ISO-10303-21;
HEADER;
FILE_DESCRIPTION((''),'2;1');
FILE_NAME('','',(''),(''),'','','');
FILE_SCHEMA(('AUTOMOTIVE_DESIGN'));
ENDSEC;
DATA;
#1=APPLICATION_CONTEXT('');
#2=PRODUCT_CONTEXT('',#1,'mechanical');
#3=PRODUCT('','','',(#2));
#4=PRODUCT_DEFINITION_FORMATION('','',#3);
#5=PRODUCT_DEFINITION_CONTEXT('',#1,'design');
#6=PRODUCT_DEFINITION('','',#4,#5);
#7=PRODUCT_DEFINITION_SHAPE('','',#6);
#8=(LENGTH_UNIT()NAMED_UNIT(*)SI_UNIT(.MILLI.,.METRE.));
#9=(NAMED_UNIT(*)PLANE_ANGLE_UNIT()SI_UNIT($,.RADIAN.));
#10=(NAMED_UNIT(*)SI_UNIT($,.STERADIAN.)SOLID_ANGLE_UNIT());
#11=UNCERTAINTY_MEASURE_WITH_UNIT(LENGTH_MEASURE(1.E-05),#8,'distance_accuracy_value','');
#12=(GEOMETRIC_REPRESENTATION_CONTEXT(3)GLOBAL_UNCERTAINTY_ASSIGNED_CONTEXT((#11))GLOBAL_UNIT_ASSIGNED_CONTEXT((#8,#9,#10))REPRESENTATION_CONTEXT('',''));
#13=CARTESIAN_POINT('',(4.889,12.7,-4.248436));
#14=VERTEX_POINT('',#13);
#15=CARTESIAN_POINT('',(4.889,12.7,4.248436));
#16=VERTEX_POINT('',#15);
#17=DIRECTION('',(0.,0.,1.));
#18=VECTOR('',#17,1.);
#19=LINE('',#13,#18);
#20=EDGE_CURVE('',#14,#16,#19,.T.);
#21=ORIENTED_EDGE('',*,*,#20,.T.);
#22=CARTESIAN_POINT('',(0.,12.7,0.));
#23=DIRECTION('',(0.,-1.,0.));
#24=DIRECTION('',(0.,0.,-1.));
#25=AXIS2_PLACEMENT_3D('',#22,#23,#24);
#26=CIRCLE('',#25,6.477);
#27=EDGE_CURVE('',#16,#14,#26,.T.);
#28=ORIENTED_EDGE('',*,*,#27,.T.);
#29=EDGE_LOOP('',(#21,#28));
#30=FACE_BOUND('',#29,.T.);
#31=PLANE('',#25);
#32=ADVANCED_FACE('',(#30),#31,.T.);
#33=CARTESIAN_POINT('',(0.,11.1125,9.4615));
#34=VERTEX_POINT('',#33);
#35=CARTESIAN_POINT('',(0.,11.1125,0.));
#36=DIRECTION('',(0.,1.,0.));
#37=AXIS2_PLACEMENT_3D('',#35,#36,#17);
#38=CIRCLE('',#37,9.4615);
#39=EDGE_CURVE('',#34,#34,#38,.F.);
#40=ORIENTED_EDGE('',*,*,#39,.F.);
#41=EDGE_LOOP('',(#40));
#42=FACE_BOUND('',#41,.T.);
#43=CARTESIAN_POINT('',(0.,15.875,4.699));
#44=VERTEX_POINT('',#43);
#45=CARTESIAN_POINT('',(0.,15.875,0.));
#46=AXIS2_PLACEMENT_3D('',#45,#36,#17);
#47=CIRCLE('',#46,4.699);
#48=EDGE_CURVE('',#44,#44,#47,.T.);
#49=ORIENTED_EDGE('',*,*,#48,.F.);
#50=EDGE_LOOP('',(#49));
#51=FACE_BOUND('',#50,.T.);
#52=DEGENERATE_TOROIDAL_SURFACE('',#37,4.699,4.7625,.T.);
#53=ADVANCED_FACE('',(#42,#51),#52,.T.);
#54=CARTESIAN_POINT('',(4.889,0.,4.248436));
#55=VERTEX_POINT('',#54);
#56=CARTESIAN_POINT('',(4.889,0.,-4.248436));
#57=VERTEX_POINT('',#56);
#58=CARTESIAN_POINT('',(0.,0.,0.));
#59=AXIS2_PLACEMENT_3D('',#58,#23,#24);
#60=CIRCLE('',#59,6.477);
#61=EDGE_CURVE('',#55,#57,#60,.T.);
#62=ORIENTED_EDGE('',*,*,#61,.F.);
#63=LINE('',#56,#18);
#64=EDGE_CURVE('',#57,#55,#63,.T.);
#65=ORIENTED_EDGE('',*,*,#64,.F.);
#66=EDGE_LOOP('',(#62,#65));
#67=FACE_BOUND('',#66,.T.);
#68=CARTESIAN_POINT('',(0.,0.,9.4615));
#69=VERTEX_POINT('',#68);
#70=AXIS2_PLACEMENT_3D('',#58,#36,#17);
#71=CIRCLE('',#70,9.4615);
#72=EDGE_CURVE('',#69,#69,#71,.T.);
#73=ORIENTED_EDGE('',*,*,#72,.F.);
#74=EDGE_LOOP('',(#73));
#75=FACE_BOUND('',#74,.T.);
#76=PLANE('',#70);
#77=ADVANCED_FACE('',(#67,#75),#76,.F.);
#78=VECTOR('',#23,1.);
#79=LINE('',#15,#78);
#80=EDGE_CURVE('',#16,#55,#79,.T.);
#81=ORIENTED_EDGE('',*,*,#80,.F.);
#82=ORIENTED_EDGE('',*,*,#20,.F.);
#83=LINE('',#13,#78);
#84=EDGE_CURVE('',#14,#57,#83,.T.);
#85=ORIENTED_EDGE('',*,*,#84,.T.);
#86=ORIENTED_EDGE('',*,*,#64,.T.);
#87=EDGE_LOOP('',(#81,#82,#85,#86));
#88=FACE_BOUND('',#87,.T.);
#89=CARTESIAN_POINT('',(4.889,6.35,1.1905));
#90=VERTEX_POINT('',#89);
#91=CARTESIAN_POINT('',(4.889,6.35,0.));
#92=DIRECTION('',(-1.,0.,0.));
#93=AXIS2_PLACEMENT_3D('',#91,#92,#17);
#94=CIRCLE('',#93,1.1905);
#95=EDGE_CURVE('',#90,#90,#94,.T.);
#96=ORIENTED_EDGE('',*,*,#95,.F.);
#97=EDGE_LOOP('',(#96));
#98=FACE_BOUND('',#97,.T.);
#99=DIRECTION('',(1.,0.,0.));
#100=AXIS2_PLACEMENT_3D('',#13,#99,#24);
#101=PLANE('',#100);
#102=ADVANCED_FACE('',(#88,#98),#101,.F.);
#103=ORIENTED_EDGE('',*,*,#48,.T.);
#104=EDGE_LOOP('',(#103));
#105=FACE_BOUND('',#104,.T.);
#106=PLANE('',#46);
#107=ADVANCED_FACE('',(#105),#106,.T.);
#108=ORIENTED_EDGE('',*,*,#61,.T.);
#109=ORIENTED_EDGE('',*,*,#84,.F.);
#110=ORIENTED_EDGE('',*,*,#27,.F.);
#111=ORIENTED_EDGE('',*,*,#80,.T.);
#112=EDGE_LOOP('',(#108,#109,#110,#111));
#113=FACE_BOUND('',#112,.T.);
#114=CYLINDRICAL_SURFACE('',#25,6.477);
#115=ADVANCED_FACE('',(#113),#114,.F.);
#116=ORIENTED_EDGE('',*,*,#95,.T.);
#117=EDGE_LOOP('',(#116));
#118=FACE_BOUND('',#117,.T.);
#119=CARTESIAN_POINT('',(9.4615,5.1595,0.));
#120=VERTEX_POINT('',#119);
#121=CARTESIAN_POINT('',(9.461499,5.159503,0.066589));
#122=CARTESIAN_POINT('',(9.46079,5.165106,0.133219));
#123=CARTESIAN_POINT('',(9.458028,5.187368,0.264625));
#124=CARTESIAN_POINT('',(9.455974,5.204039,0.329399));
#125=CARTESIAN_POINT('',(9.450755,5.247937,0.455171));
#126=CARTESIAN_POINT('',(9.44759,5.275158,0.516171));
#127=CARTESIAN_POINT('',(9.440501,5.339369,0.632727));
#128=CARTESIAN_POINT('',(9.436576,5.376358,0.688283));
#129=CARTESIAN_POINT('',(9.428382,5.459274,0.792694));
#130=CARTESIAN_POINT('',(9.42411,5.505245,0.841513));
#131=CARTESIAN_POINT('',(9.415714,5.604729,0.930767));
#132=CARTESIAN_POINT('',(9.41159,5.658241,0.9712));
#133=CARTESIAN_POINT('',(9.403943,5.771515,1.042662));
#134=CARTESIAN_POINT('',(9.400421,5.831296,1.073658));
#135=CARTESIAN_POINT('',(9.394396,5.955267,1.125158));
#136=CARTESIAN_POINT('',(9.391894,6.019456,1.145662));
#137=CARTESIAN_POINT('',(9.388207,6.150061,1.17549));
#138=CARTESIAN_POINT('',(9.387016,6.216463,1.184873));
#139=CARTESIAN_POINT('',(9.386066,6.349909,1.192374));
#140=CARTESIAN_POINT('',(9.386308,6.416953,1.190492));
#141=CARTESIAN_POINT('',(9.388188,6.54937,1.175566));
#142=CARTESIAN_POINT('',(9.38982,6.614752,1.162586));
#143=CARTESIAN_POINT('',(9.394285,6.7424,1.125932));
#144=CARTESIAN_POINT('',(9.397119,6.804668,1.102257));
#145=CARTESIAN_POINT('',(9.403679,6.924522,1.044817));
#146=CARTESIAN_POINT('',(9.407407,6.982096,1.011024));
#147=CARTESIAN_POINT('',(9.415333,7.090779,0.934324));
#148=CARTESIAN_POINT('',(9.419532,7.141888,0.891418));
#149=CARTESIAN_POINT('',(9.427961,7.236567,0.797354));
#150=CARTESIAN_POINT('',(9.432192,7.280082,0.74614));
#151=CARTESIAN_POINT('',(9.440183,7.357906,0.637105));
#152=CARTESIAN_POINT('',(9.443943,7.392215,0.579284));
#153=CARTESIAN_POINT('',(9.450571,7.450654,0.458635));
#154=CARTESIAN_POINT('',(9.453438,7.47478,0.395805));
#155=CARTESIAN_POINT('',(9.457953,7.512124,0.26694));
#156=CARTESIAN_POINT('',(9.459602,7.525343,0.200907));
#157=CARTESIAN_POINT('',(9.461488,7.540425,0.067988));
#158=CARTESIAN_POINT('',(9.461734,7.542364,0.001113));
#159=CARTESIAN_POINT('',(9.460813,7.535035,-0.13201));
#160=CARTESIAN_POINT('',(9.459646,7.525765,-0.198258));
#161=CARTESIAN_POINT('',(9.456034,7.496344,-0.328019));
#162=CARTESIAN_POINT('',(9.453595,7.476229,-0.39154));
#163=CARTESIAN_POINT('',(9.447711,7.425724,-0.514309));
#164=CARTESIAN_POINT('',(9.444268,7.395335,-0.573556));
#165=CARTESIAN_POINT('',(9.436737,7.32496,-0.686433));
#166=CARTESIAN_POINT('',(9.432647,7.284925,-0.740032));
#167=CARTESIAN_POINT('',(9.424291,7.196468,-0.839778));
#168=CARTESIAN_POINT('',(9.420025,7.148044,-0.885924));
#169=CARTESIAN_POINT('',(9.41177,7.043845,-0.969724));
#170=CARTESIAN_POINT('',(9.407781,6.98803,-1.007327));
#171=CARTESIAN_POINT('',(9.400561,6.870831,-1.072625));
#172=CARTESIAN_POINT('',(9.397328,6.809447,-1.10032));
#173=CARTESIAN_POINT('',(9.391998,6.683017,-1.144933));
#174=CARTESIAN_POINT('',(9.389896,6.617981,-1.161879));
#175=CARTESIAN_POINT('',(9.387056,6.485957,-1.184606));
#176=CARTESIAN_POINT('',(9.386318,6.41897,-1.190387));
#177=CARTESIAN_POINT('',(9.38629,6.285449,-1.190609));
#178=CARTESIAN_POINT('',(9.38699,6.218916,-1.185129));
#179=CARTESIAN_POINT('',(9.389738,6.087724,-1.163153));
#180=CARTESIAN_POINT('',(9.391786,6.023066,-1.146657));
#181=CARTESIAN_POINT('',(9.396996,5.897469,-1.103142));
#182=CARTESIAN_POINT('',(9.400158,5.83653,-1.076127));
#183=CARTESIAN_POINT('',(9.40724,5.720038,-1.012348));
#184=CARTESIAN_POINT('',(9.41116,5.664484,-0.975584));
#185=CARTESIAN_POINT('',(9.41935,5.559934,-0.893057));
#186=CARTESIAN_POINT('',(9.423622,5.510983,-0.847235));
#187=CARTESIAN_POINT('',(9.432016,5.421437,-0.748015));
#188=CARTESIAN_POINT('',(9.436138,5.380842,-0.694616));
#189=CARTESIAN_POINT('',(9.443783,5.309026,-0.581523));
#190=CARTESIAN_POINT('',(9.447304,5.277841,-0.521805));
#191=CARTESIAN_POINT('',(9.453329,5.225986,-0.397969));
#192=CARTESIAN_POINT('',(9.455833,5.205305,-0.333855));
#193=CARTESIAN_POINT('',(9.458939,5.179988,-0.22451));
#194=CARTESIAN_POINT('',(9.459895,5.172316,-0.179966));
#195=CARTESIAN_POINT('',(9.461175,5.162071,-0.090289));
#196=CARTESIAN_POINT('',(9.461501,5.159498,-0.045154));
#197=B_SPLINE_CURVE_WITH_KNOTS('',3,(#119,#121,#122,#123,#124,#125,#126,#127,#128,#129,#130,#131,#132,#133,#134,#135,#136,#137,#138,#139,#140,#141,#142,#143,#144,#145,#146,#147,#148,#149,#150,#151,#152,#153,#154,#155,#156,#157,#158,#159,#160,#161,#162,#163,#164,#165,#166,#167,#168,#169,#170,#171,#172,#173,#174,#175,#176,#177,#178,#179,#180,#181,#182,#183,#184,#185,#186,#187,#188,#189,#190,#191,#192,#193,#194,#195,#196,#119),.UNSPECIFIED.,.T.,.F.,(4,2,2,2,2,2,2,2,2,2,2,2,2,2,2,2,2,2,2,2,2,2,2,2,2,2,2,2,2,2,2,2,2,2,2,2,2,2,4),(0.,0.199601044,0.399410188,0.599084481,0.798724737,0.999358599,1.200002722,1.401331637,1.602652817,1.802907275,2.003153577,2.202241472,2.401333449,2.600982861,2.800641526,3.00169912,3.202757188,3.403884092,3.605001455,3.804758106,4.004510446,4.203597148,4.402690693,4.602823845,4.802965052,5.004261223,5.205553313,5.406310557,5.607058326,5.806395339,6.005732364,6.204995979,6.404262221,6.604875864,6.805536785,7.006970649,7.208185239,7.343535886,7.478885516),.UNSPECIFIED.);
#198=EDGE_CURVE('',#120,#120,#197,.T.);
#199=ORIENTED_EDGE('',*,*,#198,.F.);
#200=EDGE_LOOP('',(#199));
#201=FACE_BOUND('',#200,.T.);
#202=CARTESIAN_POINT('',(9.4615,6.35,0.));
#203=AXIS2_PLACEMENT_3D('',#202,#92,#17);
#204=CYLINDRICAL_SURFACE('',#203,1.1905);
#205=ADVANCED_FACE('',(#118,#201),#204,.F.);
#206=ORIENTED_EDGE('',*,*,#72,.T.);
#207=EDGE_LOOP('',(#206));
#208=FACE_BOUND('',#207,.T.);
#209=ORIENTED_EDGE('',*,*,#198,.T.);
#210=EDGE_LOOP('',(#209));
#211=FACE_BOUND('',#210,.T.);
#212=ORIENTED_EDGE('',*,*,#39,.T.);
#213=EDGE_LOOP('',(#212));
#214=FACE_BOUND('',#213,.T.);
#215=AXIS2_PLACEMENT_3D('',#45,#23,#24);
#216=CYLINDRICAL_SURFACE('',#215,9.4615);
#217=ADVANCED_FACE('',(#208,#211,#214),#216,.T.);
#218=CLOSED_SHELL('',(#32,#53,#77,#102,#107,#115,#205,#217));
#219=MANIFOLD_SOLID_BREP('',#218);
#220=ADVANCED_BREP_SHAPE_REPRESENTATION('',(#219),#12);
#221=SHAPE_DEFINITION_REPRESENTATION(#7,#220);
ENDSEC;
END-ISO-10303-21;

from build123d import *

# Parameters (mm, degrees)
SKETCH1_R           = 6.2865
BOSS_EXTRUDE1_DEPTH = 15.875
SKETCH2_R           = 9.4615
BOSS_EXTRUDE2_DEPTH = 15.875
CUT_EXTRUDE1_DEPTH  = 12.7
FILLET1_R           = 4.7625
SKETCH4_R           = 1.1905
CUT_EXTRUDE2_DEPTH  = 24.398129359


with BuildPart() as part:
    # Sketch1 → Boss-Extrude1 (new body)
    with BuildSketch(Plane(origin=(0, 0, 0), x_dir=(1, 0, 0), z_dir=(0, 1, 0))):
        with Locations(Location((0, 0, 0), (0, 0, 270))):
            Circle(SKETCH1_R)
    extrude(amount=BOSS_EXTRUDE1_DEPTH)

    # Sketch2 → Boss-Extrude2 (add)
    with BuildSketch(Plane(origin=(0, 0, 0), x_dir=(1, 0, 0), z_dir=(0, 1, 0))):
        with Locations(Location((0, 0, 0), (0, 0, 270))):
            Circle(SKETCH2_R)
    extrude(amount=BOSS_EXTRUDE2_DEPTH)

    # Sketch3 → Cut-Extrude1 (cut)
    with BuildSketch(Plane.XZ):
        with BuildLine():
            Line((4.889, -4.248435947), (4.889, 4.248435947))
            ThreePointArc((4.889, 4.248435947), (-6.477, 0), (4.889, -4.248435947))
        make_face()
    extrude(amount=-CUT_EXTRUDE1_DEPTH, mode=Mode.SUBTRACT)

    # Fillet1
    fillet1_edges = [part.edges().sort_by_distance(p)[0] for p in [
        (0, 15.875, -9.4615),
    ]]
    fillet(fillet1_edges, radius=FILLET1_R)

    # Sketch4 → Cut-Extrude2 (cut, through all)
    with BuildSketch(Plane.ZY.offset(-4.889)):
        with Locations((0, 6.35)):
            Circle(SKETCH4_R)
    extrude(amount=-CUT_EXTRUDE2_DEPTH, mode=Mode.SUBTRACT)


solid = part.part
